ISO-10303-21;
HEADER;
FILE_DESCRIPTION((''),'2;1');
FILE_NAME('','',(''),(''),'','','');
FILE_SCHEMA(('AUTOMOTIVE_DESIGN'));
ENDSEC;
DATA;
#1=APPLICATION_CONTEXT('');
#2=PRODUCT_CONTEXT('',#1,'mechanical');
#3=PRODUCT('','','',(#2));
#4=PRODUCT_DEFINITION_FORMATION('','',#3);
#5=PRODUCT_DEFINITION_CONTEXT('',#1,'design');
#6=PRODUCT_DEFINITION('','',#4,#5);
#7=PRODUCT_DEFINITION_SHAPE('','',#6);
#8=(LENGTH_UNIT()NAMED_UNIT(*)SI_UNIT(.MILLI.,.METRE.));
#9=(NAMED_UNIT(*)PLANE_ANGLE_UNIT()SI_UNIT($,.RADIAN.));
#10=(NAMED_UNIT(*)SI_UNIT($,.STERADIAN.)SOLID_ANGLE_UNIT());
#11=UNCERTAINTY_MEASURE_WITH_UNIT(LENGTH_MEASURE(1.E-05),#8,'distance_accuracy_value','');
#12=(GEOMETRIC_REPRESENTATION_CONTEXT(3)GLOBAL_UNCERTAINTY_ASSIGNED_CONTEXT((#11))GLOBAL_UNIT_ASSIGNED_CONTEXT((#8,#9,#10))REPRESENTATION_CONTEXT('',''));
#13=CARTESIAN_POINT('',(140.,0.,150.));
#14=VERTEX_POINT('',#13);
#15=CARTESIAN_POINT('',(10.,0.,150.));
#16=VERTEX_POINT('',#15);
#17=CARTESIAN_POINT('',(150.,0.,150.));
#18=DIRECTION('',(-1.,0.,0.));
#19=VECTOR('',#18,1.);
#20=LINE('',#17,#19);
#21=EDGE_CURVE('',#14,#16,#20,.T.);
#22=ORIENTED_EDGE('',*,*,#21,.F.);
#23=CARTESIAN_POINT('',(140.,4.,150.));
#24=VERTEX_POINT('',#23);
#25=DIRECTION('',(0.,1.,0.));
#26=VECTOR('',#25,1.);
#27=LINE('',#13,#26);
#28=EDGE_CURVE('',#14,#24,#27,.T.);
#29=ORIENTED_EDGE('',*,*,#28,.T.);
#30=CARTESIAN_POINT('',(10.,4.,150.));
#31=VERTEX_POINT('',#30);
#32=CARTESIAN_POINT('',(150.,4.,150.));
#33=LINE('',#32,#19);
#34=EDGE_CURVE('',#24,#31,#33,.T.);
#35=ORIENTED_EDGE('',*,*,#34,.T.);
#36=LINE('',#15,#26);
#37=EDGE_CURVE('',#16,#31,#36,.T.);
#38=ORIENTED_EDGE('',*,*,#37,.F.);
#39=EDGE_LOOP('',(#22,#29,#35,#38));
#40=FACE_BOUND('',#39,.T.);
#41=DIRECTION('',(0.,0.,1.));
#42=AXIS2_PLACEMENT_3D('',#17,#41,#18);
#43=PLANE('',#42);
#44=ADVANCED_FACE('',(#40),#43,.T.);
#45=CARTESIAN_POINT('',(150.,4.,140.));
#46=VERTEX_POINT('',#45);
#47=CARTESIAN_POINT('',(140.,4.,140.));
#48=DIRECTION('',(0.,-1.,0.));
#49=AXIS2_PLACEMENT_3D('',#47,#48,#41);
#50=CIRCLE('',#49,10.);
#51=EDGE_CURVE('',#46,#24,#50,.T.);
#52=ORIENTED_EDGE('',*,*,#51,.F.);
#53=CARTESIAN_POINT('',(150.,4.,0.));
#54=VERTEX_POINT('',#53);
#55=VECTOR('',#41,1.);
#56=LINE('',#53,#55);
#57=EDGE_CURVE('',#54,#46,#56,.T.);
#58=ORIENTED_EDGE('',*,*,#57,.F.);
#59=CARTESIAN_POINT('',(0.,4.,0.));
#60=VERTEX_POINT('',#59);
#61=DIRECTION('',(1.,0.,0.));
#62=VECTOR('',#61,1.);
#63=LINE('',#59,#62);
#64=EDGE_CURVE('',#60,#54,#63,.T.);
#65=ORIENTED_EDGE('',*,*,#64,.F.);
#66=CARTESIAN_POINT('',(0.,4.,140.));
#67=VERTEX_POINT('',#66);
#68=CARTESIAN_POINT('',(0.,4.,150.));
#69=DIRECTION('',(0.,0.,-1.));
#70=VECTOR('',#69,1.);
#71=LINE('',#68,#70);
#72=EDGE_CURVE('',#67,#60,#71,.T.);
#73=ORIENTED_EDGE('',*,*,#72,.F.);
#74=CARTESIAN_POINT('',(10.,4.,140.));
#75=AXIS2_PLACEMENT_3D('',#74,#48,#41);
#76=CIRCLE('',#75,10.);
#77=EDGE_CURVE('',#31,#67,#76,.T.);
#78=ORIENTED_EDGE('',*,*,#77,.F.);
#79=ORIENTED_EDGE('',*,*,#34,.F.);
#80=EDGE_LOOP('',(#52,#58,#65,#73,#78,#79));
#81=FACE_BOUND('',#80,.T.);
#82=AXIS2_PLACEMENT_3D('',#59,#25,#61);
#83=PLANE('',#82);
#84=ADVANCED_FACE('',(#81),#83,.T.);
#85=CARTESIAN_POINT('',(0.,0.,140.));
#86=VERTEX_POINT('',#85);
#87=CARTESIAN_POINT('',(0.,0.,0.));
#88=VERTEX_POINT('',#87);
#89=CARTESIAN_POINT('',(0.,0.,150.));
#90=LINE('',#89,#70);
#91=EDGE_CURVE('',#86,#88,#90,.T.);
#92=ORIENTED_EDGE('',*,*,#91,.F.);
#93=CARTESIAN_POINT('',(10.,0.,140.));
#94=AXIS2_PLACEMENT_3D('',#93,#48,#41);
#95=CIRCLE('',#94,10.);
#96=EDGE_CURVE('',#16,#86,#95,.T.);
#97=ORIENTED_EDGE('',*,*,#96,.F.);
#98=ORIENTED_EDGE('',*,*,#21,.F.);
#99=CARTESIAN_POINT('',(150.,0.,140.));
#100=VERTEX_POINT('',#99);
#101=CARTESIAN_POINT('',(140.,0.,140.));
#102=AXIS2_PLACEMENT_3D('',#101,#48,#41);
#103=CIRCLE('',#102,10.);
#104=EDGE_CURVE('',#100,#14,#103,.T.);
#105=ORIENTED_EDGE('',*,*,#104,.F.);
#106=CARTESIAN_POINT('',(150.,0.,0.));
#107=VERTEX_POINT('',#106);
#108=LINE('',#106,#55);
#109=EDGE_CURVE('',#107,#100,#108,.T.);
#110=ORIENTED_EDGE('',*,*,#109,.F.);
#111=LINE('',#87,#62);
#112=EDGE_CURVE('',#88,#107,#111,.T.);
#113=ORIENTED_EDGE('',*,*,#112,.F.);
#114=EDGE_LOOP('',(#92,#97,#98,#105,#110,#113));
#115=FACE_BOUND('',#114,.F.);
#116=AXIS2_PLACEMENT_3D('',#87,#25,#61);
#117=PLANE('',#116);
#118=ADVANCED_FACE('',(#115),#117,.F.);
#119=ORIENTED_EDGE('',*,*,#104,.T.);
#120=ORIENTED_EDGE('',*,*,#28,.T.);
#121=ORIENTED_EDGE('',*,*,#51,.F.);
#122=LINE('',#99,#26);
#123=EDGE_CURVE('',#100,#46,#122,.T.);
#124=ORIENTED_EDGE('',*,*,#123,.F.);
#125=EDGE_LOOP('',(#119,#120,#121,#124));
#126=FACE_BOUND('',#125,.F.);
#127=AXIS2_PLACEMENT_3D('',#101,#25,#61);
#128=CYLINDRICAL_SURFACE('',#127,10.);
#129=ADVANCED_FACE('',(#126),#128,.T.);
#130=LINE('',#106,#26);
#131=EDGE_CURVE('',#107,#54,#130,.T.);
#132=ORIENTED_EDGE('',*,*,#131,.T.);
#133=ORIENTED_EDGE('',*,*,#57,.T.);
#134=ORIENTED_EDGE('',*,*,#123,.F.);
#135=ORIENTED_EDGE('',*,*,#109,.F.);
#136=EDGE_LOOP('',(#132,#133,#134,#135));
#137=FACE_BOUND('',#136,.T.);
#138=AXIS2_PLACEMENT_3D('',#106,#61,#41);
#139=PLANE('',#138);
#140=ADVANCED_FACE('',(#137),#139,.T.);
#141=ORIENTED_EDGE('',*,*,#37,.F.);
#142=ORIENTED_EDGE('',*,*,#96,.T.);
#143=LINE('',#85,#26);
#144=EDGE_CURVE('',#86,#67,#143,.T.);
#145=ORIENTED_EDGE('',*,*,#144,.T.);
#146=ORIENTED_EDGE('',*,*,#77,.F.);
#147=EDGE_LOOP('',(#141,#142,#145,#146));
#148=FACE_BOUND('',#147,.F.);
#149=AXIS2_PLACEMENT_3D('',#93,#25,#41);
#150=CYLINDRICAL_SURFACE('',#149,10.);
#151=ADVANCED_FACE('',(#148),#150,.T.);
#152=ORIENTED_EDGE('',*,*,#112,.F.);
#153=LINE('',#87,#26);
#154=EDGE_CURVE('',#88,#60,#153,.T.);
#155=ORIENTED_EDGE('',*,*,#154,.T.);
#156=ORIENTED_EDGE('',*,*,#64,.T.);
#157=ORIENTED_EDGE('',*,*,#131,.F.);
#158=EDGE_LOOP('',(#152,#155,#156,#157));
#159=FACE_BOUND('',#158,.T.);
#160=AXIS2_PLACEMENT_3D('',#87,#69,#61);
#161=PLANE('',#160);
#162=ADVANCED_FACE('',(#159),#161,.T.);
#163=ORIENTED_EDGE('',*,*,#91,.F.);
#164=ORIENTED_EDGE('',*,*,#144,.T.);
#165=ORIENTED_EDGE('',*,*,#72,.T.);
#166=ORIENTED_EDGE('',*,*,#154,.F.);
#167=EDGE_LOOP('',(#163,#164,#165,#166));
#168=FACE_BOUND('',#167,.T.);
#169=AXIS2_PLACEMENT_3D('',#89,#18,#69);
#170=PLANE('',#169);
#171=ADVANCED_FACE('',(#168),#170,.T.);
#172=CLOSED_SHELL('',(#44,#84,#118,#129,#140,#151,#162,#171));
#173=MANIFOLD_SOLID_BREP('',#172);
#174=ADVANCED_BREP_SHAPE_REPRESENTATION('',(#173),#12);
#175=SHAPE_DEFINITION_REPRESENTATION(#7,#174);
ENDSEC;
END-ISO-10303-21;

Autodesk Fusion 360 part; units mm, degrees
sketch "Sketch2" plane through (0, 0, 0) normal (0, 1, 0) x (1, 0, 0)
  line L0 (0, 0) -> (150, 0)
  line L1 (150, 0) -> (150, -150)
  line L2 (150, -150) -> (0, -150)
  line L3 (0, -150) -> (0, 0)
  dimension "d1" = 150
  dimension "d2" = 150
extrude "Extrude1" add sketch "Sketch2" along normal blind 4
fillet "Abrundung1" radius 10 2 edges at (0, 2, 150) (150, 2, 150)
